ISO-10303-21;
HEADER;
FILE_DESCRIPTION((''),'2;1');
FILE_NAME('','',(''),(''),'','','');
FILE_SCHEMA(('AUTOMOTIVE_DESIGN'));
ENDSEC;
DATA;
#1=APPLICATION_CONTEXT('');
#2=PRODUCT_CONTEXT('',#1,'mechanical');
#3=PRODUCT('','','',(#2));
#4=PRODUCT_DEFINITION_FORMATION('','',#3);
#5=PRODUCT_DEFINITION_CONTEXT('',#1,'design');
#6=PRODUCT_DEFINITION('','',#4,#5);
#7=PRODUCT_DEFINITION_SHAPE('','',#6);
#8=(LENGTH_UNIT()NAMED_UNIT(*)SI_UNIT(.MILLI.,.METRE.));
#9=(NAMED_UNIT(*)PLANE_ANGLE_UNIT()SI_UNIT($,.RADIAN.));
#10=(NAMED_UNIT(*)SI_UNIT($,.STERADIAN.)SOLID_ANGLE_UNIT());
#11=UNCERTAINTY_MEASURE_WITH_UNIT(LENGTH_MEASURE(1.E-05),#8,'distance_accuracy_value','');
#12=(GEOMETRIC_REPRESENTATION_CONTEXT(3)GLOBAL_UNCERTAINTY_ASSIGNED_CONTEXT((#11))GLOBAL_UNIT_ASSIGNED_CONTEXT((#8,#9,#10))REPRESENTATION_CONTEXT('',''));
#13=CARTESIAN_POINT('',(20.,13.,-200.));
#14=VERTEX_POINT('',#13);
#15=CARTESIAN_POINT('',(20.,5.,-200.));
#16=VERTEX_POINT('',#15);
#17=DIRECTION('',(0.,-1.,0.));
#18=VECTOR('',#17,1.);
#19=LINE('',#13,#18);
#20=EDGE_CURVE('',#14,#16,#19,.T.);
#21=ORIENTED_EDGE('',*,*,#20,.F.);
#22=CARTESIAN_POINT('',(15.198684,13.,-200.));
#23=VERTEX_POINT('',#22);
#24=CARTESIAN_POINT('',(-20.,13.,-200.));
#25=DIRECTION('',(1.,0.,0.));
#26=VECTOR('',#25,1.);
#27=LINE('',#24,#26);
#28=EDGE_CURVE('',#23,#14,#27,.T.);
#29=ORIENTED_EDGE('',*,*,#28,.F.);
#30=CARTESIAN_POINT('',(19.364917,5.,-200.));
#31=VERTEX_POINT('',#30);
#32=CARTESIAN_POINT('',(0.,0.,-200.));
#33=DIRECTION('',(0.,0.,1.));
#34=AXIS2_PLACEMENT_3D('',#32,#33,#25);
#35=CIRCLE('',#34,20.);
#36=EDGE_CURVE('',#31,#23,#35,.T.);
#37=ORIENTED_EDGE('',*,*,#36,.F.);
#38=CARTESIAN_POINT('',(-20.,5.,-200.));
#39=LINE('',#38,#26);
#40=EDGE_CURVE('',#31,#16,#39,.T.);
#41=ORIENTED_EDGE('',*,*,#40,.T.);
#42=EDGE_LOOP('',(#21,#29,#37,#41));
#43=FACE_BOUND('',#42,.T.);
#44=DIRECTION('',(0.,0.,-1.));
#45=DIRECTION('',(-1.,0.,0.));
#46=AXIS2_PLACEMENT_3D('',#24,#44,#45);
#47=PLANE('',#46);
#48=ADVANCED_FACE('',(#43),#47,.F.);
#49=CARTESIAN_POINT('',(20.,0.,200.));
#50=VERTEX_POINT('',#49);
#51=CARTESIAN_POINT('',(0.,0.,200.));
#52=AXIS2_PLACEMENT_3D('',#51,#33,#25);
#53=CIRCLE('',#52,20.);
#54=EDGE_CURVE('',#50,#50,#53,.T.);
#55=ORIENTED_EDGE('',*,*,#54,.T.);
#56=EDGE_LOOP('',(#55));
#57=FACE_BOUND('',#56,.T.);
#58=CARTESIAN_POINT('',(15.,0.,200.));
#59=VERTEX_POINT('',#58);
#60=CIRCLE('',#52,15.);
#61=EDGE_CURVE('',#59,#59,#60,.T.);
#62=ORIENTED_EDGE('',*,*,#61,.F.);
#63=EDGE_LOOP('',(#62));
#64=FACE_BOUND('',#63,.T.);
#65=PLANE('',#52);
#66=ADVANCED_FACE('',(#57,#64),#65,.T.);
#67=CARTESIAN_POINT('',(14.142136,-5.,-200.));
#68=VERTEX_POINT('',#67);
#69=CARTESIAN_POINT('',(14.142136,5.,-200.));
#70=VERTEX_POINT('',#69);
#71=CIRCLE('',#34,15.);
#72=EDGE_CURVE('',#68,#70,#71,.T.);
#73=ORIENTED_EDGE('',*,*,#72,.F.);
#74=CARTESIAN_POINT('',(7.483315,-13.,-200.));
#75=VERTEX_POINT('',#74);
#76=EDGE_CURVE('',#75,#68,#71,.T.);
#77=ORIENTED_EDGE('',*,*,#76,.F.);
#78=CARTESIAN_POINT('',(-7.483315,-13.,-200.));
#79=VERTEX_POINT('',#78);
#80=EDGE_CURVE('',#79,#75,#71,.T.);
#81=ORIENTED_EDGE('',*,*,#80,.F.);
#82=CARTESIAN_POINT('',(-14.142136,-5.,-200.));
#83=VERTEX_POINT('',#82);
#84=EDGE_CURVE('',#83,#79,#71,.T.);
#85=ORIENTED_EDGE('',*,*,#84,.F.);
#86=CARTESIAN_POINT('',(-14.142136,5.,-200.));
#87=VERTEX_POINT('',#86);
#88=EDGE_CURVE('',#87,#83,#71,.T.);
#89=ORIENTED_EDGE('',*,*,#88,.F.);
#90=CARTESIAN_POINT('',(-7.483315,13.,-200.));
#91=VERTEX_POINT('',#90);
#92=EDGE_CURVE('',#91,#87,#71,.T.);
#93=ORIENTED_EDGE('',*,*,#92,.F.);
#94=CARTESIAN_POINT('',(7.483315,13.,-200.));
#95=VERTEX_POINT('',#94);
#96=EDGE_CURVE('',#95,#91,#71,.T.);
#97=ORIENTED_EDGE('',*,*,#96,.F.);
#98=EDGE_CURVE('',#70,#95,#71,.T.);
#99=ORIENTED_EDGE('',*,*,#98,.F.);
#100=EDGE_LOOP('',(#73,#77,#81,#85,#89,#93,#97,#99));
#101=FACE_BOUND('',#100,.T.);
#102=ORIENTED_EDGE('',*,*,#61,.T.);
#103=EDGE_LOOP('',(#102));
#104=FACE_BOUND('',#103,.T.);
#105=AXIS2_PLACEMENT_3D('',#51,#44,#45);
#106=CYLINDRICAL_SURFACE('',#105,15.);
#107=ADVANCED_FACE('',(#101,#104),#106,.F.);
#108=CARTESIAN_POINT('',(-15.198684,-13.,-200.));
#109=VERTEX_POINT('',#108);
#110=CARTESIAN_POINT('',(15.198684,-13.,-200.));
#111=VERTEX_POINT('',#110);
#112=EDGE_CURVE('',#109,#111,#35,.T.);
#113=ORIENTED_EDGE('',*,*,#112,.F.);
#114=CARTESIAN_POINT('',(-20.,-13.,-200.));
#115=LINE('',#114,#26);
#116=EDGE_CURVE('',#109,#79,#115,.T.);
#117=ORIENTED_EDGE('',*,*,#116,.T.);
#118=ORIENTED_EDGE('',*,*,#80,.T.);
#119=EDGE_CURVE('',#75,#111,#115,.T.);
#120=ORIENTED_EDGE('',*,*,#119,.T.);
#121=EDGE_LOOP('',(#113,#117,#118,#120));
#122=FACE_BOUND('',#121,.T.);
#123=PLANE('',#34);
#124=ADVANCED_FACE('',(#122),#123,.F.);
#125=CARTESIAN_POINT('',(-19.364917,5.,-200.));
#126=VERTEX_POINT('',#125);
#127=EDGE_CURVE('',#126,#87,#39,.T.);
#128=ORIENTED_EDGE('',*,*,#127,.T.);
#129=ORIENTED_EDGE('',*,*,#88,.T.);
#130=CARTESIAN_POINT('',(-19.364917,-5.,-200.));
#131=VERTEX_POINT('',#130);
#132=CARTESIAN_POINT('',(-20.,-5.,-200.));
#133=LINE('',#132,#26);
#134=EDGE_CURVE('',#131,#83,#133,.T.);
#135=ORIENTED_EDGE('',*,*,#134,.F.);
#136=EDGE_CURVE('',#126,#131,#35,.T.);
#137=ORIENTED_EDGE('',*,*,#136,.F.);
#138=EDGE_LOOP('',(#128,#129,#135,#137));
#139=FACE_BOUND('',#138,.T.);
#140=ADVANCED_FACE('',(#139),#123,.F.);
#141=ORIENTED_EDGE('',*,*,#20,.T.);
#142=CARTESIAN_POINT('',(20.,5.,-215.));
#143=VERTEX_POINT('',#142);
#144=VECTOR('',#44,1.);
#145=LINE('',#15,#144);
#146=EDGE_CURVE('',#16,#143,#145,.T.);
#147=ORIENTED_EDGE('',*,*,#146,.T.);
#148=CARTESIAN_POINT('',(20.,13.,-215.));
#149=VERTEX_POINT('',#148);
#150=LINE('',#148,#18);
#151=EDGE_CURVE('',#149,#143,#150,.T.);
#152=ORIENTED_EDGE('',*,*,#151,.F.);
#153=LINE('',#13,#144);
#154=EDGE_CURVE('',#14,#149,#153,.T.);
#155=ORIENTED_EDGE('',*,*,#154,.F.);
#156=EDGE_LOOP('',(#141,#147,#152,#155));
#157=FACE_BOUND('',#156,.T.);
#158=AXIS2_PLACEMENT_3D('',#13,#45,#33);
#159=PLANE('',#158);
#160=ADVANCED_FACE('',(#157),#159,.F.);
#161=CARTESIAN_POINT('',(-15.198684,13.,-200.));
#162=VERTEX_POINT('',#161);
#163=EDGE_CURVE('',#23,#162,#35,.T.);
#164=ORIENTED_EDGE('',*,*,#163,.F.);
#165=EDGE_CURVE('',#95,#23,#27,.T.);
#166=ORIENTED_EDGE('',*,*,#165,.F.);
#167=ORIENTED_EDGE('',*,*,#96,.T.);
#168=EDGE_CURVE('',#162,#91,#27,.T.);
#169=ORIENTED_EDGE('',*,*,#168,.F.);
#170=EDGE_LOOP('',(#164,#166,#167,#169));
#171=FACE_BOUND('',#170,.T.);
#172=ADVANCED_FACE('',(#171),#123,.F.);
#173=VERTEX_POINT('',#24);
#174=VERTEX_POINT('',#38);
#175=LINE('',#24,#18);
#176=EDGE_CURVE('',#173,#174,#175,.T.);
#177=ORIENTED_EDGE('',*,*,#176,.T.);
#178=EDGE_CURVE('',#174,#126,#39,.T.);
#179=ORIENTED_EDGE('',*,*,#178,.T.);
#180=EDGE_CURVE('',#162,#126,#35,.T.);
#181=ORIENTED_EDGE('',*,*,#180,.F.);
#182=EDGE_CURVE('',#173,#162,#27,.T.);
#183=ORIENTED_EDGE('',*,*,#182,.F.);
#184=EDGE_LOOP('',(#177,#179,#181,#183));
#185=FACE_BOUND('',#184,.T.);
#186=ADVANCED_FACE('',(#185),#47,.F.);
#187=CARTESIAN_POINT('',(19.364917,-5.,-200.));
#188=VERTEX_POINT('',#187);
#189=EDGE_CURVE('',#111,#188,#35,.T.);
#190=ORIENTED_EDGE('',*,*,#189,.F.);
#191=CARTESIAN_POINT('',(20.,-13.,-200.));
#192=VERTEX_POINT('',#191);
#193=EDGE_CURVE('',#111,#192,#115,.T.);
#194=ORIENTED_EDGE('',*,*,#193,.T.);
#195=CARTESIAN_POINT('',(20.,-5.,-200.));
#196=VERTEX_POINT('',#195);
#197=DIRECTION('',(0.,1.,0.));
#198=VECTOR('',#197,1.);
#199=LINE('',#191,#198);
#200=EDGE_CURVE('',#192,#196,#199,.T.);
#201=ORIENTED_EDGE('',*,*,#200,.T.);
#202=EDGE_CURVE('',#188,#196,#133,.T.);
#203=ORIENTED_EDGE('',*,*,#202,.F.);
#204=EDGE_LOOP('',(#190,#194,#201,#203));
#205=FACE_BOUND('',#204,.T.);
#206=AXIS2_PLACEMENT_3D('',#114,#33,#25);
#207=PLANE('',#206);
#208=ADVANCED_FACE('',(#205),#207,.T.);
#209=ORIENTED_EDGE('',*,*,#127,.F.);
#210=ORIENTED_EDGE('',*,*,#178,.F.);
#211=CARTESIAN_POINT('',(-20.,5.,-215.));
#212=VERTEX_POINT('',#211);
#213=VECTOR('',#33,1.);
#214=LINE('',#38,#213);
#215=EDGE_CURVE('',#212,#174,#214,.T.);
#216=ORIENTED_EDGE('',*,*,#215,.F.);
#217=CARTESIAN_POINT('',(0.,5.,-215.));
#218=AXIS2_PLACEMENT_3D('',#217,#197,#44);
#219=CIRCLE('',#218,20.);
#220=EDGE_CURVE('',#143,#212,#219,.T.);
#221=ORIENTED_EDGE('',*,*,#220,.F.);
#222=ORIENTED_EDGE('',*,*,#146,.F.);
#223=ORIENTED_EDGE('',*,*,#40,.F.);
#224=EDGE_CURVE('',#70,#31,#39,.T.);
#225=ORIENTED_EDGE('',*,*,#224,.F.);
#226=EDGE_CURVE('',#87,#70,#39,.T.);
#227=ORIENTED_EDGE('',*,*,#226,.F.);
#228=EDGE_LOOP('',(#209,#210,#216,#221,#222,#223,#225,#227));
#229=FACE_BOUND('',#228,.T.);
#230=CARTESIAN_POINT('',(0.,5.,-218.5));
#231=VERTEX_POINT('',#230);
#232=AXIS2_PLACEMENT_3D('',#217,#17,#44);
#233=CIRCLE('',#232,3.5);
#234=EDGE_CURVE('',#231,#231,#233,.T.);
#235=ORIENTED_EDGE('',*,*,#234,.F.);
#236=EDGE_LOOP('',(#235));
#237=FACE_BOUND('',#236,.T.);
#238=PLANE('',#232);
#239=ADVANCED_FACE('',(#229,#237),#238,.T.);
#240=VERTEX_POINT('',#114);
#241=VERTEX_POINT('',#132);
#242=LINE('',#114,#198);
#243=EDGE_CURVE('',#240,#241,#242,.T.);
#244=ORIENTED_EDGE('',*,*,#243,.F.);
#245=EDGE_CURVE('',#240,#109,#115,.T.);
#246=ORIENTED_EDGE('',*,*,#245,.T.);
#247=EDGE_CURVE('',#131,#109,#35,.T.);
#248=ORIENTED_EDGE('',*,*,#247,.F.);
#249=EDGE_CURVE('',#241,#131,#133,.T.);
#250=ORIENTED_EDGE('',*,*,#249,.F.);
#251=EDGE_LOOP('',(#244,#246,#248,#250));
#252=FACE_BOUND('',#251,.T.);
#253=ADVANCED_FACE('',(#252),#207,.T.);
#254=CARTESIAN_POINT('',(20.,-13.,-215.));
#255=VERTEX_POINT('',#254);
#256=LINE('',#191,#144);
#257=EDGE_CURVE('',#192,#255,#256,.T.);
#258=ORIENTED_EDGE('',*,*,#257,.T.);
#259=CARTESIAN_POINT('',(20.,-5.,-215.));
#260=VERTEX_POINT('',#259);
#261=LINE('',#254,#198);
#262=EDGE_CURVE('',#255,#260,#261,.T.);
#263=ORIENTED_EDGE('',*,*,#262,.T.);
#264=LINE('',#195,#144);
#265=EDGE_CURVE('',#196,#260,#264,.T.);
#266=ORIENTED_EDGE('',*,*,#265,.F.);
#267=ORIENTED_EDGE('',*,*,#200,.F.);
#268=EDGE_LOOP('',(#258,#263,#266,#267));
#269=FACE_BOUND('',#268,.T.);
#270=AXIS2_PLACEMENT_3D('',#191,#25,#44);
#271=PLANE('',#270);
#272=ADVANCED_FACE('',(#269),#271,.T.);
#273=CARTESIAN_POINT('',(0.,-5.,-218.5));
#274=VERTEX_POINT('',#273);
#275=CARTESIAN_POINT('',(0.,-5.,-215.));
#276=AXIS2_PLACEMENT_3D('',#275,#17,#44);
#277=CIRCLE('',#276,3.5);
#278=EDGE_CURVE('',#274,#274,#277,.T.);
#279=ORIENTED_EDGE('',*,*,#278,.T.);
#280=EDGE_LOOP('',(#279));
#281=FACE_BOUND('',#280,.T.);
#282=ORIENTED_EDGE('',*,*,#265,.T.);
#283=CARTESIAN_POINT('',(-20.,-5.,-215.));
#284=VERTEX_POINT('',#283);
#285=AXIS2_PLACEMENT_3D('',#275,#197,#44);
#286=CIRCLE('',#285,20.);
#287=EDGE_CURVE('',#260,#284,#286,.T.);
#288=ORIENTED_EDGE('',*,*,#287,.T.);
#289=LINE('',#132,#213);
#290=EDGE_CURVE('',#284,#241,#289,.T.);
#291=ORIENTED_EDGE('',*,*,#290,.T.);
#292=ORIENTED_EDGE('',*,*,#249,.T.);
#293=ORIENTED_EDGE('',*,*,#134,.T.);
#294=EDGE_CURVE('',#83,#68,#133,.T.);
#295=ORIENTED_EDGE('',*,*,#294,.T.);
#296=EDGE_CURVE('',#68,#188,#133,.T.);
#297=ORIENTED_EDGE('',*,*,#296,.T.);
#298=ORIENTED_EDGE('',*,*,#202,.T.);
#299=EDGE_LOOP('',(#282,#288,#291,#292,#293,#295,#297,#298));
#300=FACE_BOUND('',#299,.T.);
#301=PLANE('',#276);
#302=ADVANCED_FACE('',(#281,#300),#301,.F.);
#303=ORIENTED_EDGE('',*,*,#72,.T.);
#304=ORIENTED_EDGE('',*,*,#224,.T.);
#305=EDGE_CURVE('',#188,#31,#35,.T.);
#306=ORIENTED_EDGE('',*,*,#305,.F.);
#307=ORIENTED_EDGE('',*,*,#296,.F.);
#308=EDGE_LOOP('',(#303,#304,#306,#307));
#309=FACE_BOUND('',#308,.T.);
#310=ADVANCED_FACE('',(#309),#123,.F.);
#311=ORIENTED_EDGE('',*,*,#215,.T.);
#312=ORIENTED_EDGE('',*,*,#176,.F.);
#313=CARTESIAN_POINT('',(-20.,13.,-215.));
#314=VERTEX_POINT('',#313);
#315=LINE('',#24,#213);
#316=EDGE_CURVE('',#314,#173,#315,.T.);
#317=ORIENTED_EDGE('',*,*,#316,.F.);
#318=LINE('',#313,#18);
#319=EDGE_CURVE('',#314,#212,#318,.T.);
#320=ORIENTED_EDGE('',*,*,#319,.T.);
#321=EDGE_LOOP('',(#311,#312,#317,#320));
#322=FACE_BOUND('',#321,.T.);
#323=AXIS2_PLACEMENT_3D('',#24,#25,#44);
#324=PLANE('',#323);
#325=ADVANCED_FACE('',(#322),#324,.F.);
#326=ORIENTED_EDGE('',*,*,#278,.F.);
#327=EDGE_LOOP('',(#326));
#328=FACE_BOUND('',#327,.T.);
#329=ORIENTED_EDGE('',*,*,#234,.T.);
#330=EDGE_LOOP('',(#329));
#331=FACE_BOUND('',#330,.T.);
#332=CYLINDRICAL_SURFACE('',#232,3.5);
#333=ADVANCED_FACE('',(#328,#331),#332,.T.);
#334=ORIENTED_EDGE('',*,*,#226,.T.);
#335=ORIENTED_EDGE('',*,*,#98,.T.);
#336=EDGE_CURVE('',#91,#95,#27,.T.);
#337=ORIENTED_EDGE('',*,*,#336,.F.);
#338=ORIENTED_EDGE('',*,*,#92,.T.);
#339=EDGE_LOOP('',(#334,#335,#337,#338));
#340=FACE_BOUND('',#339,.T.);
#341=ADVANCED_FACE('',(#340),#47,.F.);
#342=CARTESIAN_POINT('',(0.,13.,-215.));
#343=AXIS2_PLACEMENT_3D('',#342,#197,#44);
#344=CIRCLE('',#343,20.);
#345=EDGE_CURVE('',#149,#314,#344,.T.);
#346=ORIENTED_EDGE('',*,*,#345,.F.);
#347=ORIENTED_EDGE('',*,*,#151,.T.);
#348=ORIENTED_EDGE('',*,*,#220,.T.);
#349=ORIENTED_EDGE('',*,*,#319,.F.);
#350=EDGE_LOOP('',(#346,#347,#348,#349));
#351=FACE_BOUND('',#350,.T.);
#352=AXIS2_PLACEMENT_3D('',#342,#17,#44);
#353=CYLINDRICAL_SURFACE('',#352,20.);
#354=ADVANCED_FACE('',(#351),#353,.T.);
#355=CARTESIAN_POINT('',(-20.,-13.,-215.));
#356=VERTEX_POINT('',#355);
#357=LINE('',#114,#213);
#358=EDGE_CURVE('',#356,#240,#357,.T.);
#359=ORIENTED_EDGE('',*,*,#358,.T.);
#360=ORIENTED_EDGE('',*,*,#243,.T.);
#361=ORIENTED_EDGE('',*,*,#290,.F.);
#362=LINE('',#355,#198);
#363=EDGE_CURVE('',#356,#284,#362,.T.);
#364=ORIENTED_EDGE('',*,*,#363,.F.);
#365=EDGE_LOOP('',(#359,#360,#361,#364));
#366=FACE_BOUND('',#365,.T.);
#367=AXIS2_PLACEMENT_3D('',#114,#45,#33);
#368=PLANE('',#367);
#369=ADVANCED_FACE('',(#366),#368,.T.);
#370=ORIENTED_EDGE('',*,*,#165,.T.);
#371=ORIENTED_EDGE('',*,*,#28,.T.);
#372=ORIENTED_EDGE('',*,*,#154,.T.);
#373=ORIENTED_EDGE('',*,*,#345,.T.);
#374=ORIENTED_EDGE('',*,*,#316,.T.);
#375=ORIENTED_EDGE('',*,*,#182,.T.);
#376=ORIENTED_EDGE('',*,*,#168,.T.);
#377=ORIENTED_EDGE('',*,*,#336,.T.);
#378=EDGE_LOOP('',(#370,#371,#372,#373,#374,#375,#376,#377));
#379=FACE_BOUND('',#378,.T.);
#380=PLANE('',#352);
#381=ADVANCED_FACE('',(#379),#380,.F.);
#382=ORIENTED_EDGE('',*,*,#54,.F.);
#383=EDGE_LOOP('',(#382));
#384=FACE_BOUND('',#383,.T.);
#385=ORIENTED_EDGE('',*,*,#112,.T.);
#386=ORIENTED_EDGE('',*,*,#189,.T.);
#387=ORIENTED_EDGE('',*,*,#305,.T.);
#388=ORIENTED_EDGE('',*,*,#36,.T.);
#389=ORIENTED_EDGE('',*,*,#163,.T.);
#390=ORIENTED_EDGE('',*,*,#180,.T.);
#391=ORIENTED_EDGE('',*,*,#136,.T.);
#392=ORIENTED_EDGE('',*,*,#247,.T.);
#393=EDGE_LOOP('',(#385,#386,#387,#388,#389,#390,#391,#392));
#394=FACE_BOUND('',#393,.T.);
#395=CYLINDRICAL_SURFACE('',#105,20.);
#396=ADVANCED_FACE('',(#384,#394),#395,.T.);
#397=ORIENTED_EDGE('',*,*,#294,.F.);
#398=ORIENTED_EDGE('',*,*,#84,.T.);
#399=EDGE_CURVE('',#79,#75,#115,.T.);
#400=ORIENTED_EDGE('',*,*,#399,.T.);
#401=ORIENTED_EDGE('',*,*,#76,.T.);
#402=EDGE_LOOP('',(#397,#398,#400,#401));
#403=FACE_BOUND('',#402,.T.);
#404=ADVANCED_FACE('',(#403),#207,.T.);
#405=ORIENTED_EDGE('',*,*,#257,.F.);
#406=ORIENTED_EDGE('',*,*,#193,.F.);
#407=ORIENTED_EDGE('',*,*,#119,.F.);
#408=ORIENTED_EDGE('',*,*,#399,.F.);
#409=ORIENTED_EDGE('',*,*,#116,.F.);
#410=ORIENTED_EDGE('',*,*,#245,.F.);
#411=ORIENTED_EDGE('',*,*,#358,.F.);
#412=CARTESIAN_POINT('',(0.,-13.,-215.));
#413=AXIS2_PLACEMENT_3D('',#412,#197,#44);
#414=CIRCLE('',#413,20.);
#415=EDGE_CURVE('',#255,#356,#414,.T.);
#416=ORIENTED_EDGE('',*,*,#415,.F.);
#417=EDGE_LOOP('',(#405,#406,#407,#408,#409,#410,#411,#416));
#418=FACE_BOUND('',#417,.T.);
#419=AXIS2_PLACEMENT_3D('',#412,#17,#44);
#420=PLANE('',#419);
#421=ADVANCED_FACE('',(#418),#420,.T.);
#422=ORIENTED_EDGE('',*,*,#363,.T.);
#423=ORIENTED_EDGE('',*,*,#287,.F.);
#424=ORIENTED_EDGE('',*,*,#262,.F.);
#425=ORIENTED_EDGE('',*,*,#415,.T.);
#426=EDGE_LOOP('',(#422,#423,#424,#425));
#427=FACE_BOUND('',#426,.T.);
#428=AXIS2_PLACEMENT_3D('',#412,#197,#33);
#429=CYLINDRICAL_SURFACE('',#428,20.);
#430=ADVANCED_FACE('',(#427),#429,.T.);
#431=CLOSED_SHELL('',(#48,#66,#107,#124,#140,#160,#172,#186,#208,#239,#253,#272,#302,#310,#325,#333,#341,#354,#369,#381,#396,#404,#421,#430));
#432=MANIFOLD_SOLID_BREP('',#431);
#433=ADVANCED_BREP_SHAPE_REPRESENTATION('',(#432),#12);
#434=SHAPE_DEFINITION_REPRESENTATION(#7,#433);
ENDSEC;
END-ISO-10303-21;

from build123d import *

# Parameters (mm, degrees)
SKETCH1_R           = 20
SKETCH1_R_2         = 15
BOSS_EXTRUDE1_DEPTH = 200
BOSS_EXTRUDE5_START = 5
BOSS_EXTRUDE5_DEPTH = 8
BOSS_EXTRUDE6_START = -13
BOSS_EXTRUDE6_DEPTH = 8
BOSS_EXTRUDE7_START = -8
SKETCH7_R           = 3.5
BOSS_EXTRUDE7_DEPTH = 10


with BuildPart() as part:
    # Sketch1 → Boss-Extrude1 (new, symmetric)
    with BuildSketch(Plane.XY):
        Circle(SKETCH1_R)
        Circle(SKETCH1_R_2, mode=Mode.SUBTRACT)
    extrude(amount=BOSS_EXTRUDE1_DEPTH, both=True)

    # Sketch6 → Boss-Extrude5 (add)
    with BuildSketch(Plane(origin=(0, 0, 0), x_dir=(1, 0, 0), z_dir=(0, 1, 0)).offset(BOSS_EXTRUDE5_START)):
        with BuildLine():
            Line((-20, 200), (20, 200))
            Line((20, 200), (20, 215))
            ThreePointArc((20, 215), (0, 235), (-20, 215))
            Line((-20, 215), (-20, 200))
        make_face()
    extrude(amount=BOSS_EXTRUDE5_DEPTH)

    # Sketch6<2> → Boss-Extrude6 (add)
    with BuildSketch(Plane(origin=(0, 0, 0), x_dir=(1, 0, 0), z_dir=(0, 1, 0)).offset(BOSS_EXTRUDE6_START)):
        with BuildLine():
            Line((-20, 200), (20, 200))
            Line((20, 200), (20, 215))
            ThreePointArc((20, 215), (0, 235), (-20, 215))
            Line((-20, 215), (-20, 200))
        make_face()
    extrude(amount=BOSS_EXTRUDE6_DEPTH)

    # Sketch7 → Boss-Extrude7 (add)
    with BuildSketch(Plane.XZ.offset(13).offset(BOSS_EXTRUDE7_START)):
        with Locations((0, -215)):
            Circle(SKETCH7_R)
    extrude(amount=-BOSS_EXTRUDE7_DEPTH)


solid = part.part
